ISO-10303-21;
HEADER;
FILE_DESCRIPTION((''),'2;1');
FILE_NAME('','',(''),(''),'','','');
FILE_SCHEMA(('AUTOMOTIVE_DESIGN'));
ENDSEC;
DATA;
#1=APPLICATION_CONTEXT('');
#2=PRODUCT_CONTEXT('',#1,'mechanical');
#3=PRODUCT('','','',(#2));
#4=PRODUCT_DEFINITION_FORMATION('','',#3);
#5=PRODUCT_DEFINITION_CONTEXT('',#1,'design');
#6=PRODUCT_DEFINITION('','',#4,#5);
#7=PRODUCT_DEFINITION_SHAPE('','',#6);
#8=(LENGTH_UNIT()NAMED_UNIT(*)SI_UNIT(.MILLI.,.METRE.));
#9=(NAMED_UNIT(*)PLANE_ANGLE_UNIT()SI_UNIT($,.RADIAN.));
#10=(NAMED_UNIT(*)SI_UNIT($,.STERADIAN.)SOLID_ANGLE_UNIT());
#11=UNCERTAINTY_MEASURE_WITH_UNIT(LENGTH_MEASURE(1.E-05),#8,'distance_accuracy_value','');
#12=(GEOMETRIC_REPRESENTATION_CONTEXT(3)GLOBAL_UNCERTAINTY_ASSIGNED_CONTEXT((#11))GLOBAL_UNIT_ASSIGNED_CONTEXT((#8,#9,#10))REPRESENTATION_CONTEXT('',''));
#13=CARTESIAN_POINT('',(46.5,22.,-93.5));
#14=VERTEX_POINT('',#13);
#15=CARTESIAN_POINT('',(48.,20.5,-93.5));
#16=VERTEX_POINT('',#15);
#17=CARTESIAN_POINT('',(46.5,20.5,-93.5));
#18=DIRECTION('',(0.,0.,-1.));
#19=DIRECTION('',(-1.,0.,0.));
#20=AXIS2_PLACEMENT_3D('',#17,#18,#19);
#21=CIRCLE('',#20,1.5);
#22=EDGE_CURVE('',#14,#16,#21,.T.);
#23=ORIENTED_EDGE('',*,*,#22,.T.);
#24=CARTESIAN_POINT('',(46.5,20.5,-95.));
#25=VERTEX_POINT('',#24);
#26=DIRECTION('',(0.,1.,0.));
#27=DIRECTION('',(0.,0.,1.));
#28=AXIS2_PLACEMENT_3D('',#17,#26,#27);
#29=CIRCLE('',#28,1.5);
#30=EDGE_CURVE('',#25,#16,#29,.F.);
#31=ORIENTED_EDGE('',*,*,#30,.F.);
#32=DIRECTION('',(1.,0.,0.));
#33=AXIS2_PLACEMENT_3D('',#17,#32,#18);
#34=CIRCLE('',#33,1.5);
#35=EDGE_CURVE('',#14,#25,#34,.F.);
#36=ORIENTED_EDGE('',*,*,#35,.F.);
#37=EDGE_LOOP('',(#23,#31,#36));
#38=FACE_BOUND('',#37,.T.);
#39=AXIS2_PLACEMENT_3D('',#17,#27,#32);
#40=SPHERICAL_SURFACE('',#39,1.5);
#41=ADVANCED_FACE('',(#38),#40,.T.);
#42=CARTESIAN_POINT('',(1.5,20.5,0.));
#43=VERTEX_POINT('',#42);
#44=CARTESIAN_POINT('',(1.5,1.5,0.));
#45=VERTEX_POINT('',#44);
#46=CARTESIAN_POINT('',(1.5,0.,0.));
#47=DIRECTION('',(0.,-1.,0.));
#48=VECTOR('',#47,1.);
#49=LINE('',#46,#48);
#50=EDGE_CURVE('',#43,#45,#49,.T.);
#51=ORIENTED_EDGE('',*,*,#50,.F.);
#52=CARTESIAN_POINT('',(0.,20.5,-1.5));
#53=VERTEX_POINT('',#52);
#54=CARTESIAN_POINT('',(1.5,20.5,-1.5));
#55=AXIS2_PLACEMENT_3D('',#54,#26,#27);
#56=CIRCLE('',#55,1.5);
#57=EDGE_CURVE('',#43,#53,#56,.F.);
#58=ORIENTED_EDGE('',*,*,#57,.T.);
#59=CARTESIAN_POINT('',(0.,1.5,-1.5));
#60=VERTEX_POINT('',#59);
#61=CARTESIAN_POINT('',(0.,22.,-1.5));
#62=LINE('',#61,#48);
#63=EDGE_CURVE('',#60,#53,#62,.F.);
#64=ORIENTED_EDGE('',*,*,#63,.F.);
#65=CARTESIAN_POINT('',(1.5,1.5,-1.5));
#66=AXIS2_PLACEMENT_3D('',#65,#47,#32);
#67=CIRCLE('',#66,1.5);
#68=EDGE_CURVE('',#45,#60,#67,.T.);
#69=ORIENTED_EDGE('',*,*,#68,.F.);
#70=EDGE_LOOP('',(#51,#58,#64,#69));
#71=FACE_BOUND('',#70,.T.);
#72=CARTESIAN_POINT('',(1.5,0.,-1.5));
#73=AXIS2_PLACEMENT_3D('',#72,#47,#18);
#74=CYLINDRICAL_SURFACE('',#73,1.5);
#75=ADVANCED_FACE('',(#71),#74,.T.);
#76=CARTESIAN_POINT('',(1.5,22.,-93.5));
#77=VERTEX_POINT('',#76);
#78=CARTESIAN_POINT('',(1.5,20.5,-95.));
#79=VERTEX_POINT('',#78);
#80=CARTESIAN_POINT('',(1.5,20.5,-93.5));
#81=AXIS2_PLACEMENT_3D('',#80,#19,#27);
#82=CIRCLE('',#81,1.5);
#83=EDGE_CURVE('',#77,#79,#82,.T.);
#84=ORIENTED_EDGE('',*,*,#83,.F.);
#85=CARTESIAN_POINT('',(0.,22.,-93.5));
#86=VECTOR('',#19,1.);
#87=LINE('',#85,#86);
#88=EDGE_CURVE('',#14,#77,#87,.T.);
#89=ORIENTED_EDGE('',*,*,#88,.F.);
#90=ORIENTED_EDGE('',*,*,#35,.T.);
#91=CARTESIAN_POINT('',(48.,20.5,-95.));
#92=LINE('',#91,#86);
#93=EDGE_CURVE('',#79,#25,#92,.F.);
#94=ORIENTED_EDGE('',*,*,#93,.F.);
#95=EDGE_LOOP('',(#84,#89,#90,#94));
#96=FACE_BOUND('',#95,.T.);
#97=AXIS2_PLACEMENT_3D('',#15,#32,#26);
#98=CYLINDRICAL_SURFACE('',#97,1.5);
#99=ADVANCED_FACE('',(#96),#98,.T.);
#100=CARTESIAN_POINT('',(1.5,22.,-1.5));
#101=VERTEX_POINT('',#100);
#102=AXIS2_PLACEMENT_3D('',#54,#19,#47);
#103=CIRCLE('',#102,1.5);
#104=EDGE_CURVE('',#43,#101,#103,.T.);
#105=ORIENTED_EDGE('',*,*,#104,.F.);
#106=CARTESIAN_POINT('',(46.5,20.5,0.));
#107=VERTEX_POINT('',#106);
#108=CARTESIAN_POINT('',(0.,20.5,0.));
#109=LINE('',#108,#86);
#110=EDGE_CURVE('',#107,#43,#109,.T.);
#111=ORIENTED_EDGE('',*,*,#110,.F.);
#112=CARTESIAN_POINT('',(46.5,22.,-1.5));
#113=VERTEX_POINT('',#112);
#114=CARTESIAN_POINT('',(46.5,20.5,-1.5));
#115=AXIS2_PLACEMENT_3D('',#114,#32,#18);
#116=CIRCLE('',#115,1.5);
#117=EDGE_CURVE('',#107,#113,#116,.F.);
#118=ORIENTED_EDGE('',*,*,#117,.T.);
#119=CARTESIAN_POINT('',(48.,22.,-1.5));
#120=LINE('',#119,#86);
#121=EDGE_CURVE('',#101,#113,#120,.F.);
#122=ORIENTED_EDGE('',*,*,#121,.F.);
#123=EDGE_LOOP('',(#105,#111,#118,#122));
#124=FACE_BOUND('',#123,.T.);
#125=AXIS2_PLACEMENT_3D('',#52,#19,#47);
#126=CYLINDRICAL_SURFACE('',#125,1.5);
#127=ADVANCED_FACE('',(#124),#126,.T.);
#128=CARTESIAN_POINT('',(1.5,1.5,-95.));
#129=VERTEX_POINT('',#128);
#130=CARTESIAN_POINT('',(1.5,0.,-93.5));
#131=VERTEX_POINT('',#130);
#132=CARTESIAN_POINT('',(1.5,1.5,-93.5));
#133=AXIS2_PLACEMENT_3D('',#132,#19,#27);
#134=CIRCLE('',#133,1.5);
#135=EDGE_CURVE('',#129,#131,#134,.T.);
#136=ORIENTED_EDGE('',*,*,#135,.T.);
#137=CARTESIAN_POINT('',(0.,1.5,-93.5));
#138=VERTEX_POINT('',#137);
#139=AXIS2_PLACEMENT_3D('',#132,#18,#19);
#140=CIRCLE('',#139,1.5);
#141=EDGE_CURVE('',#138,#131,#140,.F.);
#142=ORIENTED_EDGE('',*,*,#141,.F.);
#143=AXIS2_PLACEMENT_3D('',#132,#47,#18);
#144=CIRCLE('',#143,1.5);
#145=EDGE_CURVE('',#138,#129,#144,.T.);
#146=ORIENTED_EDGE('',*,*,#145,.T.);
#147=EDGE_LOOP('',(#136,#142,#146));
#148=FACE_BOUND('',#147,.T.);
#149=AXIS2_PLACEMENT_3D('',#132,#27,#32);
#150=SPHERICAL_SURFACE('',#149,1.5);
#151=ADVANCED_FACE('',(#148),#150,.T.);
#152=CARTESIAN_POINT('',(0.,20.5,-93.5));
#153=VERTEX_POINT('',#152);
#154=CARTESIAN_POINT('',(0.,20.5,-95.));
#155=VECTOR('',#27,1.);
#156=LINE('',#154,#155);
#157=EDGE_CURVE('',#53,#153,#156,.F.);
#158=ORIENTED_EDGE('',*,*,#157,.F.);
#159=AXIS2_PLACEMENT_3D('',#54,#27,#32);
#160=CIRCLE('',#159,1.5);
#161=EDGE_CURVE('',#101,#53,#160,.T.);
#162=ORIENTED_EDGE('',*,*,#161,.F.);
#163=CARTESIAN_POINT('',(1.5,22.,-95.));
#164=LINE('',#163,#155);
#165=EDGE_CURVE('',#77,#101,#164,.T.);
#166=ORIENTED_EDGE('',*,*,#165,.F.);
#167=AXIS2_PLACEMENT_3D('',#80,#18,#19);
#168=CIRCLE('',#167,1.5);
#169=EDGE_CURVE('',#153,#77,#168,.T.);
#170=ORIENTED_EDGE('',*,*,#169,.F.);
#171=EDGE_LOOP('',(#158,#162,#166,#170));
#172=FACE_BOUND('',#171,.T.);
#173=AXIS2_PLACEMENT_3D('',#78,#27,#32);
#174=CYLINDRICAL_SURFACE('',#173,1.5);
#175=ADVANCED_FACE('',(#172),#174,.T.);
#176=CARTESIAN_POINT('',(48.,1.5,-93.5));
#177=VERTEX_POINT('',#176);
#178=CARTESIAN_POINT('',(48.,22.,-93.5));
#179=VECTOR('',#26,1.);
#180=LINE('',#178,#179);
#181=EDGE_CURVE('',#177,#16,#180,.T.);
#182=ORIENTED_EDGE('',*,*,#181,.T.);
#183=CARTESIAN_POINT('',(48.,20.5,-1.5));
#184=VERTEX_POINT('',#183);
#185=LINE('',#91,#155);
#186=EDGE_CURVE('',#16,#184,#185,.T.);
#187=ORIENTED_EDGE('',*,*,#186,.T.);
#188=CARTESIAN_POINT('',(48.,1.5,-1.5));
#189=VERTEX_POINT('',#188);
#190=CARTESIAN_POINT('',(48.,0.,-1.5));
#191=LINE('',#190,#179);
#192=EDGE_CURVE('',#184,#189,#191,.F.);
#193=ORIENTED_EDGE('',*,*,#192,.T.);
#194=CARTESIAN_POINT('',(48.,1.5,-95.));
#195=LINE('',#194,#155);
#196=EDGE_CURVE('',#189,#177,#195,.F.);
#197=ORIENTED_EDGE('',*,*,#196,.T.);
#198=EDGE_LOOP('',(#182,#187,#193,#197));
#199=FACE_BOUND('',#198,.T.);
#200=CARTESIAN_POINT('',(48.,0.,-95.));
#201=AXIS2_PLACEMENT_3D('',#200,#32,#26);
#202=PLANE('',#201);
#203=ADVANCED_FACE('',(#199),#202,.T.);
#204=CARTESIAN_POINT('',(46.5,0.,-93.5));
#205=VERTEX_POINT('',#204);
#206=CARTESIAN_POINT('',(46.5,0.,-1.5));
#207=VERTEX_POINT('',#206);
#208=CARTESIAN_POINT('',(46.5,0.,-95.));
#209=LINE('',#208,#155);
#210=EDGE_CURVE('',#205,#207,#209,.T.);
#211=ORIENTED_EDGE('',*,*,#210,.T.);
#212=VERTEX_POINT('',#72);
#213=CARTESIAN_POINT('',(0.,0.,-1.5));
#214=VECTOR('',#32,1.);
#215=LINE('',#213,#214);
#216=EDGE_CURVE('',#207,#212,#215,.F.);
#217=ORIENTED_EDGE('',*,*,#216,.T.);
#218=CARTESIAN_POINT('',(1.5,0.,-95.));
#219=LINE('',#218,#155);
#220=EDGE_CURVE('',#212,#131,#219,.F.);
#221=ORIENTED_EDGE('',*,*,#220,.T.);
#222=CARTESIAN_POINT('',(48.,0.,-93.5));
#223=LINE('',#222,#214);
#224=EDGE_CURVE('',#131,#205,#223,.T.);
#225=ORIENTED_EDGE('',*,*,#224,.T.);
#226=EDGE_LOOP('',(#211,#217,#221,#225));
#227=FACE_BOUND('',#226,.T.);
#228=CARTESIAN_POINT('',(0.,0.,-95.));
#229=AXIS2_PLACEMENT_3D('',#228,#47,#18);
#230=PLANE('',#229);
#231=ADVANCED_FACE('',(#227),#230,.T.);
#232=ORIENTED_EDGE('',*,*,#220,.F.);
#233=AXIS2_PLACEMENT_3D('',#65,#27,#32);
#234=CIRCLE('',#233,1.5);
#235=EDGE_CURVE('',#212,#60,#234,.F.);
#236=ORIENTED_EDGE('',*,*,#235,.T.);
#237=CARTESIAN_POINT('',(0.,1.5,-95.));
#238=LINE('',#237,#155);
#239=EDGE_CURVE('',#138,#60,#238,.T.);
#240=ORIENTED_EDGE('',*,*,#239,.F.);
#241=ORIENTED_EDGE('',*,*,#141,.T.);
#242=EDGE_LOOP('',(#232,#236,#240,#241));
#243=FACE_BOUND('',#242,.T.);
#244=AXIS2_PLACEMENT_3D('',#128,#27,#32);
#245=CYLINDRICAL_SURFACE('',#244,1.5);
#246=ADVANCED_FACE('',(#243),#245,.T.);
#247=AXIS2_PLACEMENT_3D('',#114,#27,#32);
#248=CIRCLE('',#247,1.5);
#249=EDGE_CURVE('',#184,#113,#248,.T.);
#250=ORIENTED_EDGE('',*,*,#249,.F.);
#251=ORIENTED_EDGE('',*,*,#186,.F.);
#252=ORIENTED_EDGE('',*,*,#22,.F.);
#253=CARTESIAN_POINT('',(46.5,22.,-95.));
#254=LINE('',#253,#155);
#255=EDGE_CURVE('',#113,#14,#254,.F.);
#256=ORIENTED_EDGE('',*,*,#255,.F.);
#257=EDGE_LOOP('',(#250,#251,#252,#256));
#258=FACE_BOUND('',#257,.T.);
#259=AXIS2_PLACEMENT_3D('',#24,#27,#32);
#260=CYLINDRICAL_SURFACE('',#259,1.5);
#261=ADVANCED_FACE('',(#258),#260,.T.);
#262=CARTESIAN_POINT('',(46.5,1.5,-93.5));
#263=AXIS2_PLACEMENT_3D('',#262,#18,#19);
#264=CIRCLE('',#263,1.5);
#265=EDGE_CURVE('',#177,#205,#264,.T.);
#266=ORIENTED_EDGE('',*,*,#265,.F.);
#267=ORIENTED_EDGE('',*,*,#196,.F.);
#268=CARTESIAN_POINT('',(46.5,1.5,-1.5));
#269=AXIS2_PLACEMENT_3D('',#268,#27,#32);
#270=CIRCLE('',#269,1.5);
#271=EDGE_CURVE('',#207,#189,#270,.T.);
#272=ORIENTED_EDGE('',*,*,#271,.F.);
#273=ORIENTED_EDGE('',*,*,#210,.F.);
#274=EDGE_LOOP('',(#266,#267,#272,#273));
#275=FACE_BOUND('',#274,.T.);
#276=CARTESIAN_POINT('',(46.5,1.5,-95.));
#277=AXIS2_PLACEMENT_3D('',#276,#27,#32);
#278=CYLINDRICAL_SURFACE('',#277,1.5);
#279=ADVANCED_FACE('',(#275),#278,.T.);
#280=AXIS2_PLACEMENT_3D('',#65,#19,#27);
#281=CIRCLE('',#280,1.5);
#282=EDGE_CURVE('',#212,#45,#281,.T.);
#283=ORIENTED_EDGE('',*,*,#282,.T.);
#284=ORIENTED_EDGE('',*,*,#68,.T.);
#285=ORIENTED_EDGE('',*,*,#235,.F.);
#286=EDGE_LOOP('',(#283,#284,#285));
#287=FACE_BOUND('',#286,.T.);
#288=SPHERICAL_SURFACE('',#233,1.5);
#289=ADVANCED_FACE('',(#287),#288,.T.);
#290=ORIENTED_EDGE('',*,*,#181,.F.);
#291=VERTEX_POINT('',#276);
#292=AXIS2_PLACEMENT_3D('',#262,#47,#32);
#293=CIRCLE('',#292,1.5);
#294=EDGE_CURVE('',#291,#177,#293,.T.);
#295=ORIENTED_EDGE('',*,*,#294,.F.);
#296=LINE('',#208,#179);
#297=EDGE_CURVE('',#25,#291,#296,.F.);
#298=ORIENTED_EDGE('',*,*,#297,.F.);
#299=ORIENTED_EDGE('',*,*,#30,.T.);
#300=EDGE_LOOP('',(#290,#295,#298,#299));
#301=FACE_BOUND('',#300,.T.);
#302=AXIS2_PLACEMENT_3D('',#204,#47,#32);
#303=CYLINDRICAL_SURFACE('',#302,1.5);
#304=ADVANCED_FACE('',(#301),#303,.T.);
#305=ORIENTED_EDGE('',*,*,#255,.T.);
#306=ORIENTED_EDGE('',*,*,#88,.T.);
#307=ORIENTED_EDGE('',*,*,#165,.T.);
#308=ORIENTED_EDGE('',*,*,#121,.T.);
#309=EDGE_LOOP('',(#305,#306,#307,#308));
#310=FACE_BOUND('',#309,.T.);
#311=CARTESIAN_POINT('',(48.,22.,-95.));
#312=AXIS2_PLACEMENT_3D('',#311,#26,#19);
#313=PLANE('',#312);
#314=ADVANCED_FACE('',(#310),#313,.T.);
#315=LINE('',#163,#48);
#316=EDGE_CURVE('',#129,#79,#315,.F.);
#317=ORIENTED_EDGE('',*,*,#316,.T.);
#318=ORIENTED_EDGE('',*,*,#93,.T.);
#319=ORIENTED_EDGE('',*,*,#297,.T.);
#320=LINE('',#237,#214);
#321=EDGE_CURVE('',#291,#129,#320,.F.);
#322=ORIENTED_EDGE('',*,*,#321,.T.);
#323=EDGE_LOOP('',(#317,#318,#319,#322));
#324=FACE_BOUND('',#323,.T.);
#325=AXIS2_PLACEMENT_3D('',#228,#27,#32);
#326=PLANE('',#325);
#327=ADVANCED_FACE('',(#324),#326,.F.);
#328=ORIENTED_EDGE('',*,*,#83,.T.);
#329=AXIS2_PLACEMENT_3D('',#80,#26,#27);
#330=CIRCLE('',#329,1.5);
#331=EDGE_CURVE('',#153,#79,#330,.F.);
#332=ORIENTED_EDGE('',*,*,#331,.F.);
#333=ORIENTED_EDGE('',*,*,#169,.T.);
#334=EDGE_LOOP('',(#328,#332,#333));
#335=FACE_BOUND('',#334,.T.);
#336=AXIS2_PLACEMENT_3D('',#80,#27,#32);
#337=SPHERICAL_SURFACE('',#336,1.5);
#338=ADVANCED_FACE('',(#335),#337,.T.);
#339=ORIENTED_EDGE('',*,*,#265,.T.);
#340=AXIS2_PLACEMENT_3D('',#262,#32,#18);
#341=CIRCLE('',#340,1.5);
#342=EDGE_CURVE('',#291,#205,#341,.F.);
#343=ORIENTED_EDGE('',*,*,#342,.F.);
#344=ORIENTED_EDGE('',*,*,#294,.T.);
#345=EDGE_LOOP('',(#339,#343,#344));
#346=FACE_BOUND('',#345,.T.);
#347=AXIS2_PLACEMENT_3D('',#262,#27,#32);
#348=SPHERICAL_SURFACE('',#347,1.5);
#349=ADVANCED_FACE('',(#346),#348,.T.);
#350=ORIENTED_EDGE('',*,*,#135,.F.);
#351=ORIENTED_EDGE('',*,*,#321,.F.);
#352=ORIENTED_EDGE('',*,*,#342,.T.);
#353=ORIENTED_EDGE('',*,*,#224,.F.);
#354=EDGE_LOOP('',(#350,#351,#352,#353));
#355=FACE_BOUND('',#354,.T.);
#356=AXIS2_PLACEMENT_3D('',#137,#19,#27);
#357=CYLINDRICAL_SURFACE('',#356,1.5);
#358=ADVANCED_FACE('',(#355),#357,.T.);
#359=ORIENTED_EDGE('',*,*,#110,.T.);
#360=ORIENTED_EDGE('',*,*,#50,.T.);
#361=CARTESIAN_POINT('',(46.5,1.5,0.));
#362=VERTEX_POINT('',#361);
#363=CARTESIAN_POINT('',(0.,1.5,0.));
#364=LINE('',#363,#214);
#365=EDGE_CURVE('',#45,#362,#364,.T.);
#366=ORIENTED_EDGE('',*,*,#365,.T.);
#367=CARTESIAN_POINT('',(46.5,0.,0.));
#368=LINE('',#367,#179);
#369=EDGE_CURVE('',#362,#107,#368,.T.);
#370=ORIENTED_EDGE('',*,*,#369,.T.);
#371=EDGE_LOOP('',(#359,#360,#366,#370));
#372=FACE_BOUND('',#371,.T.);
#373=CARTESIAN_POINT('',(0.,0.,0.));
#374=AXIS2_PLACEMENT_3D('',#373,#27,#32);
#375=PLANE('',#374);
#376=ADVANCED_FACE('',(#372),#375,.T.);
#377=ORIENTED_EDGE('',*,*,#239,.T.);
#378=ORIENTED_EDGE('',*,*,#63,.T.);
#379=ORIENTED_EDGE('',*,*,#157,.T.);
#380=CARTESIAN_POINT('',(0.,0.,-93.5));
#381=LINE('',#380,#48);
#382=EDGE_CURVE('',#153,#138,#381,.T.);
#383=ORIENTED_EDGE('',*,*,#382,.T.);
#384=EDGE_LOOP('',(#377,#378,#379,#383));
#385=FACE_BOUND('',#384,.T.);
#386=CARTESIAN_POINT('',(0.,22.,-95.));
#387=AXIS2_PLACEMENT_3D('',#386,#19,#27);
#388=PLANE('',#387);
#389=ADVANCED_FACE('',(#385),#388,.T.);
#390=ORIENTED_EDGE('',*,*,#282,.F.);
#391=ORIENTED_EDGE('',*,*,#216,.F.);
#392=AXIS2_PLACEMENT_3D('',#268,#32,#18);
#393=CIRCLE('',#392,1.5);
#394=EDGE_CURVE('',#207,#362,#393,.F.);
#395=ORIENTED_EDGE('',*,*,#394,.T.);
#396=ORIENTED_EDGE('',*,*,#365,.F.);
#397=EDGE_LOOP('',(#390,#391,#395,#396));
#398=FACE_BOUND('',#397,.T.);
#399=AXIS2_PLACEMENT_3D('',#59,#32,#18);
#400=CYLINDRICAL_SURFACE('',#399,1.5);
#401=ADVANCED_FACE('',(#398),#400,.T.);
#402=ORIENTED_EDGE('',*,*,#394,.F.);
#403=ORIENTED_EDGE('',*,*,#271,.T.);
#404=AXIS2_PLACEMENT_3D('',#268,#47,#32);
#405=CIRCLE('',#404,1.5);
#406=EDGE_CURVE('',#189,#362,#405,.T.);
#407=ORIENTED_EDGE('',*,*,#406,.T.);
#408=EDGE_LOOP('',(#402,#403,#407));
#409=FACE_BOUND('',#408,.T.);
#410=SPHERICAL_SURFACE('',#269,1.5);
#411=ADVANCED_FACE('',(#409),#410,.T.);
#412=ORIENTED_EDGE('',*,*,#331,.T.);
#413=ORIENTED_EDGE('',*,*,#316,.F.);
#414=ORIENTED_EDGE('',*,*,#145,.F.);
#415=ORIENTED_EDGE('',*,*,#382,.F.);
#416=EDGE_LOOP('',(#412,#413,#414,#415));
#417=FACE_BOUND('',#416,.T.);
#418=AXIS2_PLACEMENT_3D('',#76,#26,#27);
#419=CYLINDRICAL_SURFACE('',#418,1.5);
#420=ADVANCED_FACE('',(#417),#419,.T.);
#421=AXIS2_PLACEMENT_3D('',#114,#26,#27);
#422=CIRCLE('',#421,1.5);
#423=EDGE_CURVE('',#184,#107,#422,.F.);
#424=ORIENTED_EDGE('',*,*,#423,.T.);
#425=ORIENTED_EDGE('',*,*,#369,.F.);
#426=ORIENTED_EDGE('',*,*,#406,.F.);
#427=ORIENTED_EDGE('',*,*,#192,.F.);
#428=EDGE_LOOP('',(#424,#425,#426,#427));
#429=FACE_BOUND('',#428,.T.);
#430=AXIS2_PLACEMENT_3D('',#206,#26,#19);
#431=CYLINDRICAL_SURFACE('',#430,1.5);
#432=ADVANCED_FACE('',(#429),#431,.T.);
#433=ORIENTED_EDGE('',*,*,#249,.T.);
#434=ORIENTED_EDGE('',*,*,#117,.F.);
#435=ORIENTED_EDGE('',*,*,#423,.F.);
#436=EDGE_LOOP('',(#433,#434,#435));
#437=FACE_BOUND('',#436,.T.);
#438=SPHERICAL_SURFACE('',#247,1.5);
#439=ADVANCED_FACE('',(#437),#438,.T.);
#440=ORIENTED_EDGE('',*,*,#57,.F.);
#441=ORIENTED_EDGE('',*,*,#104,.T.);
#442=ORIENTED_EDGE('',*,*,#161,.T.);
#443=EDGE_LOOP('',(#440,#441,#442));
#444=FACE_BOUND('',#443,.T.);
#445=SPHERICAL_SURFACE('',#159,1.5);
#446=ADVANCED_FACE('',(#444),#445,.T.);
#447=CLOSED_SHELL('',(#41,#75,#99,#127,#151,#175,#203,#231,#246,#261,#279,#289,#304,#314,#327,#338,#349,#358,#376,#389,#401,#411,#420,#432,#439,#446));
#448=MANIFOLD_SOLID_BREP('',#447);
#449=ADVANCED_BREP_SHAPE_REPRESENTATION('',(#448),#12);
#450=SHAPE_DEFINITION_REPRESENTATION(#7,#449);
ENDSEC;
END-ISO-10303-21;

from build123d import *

# Parameters (mm, degrees)
SKETCH_1_W      = 48
SKETCH_1_H      = 22
EXTRUDE_1_DEPTH = 95
FILLET_1_R      = 1.5


with BuildPart() as part:
    # Эскиз1 → Бобышка-Вытянуть1 (new body)
    with BuildSketch(Plane.XY):
        with Locations((24, 11)):
            Rectangle(SKETCH_1_W, SKETCH_1_H)
    extrude(amount=-EXTRUDE_1_DEPTH)

    # Скругление1
    fillet_1_edges = [part.edges().sort_by_distance(p)[0] for p in [
        (48, 11, -95),
        (24, 22, -95),
        (0, 11, -95),
        (24, 22, 0),
        (48, 11, 0),
        (24, 0, 0),
        (0, 11, 0),
        (24, 0, -95),
        (0, 22, -47.5),
        (48, 22, -47.5),
        (48, 0, -47.5),
        (0, 0, -47.5),
    ]]
    fillet(fillet_1_edges, radius=FILLET_1_R)


solid = part.part
